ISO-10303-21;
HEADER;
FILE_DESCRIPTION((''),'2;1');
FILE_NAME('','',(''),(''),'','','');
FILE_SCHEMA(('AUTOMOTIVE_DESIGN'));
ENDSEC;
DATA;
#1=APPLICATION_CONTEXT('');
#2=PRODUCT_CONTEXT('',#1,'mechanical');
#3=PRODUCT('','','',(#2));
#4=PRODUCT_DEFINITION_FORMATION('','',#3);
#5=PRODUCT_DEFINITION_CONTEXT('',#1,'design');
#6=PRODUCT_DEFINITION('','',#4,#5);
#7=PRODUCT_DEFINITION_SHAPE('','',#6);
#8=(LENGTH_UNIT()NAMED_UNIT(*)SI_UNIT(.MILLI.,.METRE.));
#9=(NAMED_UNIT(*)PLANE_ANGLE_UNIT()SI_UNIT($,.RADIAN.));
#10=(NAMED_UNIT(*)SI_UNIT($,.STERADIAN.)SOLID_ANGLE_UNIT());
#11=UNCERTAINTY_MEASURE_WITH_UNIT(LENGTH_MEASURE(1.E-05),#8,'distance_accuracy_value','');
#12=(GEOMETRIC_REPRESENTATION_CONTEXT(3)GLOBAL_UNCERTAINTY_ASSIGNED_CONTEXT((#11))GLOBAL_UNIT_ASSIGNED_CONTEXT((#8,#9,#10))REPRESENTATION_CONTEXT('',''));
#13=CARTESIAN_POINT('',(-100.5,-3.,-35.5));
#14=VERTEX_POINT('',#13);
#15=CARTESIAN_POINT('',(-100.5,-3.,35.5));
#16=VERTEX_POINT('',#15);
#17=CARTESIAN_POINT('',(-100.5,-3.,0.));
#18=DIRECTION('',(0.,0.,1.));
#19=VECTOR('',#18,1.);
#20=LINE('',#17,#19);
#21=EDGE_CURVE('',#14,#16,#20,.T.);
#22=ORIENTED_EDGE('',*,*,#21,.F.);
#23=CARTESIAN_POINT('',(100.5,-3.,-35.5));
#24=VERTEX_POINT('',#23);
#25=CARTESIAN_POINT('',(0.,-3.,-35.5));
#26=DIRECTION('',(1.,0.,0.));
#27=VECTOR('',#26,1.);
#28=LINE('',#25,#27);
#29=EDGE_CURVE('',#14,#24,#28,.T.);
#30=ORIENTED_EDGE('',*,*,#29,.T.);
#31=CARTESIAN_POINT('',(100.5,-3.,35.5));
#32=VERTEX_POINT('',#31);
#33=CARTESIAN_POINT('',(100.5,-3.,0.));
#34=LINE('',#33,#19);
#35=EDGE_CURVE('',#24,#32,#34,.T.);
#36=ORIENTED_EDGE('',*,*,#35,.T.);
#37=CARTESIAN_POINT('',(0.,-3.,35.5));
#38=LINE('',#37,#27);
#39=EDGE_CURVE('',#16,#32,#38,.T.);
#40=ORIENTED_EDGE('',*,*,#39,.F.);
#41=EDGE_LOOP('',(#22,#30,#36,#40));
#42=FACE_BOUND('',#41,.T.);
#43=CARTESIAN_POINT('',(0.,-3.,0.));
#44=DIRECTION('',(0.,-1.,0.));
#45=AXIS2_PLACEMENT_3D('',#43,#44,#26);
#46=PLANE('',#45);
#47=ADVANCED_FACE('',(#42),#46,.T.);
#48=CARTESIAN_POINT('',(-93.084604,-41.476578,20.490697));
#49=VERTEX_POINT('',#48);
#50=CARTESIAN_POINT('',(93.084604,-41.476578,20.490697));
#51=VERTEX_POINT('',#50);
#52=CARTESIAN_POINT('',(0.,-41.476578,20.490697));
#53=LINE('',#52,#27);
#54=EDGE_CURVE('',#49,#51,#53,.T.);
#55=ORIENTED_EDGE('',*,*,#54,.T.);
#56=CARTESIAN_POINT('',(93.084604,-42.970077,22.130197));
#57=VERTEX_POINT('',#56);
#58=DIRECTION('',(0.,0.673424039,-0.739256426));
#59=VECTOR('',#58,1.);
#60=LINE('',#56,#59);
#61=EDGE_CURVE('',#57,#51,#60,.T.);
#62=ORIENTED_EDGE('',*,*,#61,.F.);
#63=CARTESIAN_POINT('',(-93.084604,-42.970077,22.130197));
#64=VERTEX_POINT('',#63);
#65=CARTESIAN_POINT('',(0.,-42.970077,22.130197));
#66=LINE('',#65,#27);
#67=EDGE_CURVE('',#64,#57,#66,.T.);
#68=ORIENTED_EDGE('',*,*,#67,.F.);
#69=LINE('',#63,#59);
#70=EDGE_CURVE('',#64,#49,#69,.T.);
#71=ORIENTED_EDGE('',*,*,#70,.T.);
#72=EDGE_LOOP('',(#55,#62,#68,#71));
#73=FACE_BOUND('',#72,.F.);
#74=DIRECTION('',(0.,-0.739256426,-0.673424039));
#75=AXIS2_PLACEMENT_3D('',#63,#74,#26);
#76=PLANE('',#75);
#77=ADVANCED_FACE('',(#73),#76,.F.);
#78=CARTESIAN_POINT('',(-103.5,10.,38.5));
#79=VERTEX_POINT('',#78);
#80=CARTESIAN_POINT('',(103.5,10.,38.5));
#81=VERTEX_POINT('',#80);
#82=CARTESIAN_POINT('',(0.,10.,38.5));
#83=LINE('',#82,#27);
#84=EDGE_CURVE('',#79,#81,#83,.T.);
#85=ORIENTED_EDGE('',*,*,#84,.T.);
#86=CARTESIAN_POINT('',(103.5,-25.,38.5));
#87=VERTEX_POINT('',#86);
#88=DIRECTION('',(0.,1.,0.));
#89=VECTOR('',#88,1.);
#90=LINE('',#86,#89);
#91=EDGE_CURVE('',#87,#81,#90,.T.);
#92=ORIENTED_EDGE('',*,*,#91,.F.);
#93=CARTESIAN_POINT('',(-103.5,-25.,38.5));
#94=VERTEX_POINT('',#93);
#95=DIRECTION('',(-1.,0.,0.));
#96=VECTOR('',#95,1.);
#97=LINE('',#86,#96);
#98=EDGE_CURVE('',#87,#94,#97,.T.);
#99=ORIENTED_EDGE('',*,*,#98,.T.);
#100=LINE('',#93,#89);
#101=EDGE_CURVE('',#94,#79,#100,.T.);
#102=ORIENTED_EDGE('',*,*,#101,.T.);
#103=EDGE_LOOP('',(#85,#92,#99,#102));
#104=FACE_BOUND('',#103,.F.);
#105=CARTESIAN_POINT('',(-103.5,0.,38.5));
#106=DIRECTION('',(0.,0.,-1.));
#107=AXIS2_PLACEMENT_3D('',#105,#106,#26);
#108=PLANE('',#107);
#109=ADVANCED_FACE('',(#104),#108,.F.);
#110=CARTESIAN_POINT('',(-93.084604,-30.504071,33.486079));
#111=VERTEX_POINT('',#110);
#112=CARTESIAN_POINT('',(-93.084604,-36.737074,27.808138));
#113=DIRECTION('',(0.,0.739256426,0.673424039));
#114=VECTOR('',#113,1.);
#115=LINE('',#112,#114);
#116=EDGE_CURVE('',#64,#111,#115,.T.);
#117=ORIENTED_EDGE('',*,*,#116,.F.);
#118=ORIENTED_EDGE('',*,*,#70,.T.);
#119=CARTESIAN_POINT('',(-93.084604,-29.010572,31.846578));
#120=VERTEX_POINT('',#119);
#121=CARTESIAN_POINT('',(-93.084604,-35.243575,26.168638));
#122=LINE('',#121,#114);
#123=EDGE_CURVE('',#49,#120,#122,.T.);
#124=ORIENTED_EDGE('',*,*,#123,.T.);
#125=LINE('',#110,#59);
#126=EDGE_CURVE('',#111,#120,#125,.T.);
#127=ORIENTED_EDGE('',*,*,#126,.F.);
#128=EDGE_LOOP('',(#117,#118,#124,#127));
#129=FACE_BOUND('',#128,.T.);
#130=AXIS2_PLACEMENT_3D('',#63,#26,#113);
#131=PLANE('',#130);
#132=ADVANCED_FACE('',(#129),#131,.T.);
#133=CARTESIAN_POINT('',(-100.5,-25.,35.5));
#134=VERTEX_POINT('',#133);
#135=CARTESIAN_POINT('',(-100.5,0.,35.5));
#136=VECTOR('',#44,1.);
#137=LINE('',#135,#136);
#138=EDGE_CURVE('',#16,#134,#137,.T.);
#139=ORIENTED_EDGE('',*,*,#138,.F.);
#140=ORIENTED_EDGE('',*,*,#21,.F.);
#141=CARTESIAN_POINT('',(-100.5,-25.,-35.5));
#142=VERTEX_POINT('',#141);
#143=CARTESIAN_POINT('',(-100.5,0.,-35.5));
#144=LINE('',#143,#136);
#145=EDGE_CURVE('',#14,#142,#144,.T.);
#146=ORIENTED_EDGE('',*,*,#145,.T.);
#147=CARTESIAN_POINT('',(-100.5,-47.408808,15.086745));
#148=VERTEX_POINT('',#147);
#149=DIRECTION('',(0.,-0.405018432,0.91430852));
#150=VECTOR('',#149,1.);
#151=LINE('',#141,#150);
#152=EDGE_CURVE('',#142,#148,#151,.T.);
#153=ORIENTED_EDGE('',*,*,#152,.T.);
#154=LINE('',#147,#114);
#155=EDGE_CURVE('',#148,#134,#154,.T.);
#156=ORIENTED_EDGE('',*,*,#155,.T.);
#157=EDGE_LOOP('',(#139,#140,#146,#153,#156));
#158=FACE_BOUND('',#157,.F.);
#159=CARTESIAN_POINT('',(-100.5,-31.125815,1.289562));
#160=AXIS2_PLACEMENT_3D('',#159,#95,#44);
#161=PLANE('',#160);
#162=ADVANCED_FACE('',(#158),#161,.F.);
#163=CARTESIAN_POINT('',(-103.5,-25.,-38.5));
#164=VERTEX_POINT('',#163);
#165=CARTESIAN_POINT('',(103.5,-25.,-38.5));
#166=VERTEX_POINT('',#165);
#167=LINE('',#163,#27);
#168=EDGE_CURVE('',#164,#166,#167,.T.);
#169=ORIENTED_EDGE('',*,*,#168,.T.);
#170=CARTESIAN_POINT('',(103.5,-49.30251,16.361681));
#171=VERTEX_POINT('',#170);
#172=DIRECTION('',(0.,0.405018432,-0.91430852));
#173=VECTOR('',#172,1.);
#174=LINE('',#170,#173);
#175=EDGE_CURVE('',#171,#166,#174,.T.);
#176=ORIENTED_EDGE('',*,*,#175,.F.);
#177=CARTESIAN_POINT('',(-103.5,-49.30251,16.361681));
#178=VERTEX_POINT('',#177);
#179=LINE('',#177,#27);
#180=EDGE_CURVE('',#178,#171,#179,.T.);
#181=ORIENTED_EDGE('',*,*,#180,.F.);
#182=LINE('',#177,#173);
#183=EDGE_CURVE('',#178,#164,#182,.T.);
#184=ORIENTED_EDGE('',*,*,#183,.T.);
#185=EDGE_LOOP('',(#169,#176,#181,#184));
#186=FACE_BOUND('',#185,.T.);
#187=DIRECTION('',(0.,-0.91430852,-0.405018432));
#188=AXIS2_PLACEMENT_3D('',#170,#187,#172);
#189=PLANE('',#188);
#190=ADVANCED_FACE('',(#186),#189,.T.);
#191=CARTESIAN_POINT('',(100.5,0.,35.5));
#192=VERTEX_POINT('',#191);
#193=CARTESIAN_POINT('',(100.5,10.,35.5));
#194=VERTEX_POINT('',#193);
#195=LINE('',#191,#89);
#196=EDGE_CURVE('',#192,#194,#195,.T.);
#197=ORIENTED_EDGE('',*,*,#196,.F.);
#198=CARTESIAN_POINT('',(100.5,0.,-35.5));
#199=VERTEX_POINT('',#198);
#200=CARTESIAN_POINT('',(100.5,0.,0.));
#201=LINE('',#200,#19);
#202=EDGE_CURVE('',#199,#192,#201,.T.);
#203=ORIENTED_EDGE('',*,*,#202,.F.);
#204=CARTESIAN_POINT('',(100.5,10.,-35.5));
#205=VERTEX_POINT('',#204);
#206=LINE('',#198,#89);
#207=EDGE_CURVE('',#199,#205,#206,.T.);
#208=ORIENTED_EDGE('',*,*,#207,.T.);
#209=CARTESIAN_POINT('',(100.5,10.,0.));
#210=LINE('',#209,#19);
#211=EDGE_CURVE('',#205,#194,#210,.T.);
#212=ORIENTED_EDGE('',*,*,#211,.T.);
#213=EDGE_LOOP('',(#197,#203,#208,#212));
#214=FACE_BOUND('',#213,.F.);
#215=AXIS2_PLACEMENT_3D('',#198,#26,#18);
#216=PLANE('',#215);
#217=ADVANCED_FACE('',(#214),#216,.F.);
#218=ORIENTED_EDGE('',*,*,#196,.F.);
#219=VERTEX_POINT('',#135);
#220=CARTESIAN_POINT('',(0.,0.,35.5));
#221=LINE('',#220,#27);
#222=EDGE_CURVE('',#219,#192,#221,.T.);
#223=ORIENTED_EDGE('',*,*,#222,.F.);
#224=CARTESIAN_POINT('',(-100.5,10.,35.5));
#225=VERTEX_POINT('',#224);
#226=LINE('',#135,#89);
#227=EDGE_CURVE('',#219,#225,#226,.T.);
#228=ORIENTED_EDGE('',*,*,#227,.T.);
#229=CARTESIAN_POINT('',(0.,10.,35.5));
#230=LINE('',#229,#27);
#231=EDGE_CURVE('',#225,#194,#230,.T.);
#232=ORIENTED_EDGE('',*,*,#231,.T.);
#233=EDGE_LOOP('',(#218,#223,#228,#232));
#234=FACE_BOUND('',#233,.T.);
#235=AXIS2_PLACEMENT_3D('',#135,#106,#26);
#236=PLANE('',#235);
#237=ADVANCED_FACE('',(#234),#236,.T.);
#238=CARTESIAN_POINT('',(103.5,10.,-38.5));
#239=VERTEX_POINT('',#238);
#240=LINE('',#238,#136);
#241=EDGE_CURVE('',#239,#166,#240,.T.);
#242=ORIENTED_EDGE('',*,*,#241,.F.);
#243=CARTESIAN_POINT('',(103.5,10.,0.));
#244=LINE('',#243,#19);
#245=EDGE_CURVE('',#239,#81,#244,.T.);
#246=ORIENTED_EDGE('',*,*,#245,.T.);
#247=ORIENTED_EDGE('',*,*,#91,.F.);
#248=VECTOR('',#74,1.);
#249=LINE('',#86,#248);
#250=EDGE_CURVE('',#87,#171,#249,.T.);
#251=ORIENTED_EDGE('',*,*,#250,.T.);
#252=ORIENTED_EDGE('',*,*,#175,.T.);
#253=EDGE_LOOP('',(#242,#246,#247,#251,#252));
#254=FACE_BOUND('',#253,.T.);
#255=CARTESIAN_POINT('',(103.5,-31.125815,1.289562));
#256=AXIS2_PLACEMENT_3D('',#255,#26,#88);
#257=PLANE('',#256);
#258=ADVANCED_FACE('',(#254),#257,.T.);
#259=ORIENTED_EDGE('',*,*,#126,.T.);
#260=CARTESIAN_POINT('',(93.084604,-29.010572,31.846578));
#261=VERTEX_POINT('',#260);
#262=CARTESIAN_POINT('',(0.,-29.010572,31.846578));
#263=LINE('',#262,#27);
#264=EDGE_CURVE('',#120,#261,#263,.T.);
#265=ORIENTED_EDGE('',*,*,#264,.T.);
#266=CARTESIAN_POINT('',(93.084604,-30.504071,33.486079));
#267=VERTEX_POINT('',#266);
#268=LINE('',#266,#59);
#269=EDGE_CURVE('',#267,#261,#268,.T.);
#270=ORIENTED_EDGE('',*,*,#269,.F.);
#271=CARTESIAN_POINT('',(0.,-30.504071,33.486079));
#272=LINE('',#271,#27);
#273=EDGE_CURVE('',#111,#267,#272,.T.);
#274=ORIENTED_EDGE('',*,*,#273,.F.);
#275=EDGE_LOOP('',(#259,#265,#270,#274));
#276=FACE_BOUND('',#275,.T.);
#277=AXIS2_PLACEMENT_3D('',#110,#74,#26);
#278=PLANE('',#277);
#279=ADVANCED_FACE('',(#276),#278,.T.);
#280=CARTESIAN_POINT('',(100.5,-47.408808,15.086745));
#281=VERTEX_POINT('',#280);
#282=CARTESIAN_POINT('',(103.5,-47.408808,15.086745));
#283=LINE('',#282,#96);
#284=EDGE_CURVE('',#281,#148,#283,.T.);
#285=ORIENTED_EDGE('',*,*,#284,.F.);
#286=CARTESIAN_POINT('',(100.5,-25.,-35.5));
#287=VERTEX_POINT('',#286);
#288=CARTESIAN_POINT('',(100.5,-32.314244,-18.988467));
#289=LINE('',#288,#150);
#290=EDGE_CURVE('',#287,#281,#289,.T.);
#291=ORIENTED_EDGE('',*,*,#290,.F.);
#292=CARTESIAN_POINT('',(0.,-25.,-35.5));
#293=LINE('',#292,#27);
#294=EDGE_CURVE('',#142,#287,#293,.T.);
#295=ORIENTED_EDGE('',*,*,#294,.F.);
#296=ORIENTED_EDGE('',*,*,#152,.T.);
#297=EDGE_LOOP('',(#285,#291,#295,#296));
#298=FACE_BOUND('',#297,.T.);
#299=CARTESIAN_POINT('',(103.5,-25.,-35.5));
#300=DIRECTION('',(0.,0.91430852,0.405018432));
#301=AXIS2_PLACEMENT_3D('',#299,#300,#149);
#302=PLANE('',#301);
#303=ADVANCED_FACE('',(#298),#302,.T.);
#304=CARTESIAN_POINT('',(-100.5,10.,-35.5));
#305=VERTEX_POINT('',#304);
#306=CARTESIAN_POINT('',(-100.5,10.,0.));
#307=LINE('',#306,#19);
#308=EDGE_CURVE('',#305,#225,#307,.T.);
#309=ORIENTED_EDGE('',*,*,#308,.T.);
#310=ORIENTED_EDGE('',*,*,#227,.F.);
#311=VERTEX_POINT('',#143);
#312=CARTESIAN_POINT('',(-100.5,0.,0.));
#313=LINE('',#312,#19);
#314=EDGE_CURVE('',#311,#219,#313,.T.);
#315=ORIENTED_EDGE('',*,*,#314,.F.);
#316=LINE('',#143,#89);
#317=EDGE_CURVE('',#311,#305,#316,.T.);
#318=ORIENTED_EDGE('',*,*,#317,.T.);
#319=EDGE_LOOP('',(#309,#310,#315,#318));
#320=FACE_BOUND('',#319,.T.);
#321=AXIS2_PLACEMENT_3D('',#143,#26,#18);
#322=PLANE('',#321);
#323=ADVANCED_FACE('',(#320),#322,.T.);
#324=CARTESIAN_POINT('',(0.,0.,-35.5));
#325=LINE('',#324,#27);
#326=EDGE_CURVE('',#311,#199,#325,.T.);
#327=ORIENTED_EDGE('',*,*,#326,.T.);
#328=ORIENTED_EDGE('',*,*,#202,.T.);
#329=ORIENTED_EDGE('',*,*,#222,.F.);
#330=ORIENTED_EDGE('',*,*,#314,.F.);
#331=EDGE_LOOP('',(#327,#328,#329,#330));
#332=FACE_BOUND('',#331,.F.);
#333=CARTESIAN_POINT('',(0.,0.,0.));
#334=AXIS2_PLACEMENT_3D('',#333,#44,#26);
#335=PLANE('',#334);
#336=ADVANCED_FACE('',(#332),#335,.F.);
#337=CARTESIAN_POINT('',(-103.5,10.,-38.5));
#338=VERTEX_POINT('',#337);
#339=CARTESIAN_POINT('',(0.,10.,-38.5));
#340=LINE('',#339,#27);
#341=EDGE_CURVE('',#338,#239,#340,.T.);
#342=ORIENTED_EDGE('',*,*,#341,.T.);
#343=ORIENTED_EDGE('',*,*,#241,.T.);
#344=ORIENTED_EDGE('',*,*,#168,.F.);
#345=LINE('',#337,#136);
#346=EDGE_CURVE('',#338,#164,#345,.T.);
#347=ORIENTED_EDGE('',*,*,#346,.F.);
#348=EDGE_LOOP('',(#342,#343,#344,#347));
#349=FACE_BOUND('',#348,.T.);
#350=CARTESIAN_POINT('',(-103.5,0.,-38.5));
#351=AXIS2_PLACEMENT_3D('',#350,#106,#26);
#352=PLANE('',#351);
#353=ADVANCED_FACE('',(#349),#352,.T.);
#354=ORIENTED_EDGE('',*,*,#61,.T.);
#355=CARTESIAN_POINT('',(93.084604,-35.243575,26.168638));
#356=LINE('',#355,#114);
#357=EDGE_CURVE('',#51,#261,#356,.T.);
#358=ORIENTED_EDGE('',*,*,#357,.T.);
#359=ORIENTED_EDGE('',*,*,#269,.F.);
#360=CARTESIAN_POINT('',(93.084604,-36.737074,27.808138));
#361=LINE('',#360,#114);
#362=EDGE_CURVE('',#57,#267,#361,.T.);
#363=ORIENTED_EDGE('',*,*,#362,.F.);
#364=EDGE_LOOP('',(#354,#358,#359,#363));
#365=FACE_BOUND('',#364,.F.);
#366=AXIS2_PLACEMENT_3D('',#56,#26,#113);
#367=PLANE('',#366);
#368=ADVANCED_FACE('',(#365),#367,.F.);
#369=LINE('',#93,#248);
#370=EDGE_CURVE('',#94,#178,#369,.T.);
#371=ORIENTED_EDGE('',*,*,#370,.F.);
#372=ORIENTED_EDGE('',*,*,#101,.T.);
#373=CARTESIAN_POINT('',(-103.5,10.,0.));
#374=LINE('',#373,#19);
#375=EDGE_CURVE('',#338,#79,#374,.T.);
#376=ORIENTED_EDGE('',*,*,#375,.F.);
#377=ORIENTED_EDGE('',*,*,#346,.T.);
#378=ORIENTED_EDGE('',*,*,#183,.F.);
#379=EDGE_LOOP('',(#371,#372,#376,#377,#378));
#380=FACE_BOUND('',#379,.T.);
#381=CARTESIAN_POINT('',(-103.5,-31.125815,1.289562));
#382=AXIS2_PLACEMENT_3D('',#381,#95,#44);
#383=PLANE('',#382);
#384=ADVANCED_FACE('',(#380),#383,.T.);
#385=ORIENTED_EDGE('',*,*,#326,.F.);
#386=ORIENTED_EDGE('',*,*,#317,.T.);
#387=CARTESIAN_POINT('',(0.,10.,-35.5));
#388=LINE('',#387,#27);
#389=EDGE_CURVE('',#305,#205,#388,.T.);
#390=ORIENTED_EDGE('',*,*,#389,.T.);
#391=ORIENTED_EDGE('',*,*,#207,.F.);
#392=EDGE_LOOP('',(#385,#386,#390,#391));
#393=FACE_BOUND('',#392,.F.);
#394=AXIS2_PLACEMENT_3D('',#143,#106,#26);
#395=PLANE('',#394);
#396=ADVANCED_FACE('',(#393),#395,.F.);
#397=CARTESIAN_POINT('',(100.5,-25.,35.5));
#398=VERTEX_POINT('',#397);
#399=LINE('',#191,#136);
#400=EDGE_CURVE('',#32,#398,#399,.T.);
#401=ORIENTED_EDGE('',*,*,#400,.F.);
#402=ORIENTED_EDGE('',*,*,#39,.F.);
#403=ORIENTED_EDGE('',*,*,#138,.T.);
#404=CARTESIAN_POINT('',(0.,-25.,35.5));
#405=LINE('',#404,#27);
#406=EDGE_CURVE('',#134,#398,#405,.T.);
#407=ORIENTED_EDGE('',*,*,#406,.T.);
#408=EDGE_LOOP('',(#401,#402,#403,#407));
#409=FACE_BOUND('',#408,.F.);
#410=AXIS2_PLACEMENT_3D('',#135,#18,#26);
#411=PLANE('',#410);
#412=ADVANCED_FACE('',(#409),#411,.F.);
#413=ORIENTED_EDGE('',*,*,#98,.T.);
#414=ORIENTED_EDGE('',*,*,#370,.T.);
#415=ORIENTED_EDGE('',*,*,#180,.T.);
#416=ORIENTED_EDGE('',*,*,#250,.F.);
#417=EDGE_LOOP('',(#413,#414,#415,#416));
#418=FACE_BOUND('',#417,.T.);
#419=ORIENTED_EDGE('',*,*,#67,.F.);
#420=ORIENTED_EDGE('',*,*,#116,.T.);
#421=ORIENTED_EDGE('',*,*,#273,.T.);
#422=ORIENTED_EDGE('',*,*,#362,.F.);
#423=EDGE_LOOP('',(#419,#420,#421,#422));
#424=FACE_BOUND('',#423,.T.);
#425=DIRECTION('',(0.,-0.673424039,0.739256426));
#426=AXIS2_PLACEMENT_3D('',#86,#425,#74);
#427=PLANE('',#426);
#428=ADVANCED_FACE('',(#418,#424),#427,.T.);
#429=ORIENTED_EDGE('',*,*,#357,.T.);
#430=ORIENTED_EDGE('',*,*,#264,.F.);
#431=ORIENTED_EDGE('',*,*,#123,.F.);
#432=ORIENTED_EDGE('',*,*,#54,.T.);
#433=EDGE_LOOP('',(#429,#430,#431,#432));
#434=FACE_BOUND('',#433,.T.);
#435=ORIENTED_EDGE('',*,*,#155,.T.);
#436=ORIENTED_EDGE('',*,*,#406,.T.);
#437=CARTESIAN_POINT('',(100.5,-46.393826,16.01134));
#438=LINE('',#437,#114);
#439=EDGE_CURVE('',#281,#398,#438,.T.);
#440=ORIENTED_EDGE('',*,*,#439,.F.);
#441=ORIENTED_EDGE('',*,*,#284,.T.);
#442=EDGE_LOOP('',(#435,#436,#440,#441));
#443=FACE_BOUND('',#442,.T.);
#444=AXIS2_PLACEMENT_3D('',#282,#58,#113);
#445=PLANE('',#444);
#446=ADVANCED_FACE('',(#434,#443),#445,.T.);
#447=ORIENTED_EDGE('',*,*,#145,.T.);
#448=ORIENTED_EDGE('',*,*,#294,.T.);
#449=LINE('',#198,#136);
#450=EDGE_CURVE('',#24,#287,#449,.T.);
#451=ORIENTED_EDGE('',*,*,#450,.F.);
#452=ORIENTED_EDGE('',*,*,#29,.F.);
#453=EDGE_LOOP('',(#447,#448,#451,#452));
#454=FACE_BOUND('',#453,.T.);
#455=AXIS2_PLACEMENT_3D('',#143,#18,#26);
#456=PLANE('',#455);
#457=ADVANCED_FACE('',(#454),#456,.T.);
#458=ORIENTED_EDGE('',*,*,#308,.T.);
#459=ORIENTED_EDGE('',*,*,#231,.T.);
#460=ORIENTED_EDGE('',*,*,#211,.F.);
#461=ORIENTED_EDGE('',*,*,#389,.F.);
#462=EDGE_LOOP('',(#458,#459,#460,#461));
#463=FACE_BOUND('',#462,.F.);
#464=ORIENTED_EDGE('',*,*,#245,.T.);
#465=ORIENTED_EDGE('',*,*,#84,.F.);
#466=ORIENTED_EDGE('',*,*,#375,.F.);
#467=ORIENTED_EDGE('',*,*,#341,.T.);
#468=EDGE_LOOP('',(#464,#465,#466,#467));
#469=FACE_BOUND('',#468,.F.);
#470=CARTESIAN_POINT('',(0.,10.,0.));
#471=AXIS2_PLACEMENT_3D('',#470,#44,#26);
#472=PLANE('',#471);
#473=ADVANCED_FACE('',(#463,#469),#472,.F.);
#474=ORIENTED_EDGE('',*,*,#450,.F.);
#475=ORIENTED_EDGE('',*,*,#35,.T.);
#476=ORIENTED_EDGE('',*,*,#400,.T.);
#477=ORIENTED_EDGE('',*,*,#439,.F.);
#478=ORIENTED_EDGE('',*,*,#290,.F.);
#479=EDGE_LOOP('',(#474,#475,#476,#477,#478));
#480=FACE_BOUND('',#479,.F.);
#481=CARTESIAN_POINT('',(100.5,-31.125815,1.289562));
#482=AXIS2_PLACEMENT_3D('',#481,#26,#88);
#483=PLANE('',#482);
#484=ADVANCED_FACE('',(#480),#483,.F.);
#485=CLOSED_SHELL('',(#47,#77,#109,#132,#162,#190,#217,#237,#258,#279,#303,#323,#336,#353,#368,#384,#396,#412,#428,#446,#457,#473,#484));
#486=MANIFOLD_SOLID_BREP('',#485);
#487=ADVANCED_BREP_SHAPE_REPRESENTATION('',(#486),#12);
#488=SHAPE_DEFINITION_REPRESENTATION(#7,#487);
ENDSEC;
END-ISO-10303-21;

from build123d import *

# Parameters (mm, degrees)
F0_W          = 201
F0_H          = 71
F1_DEPTH      = 3
F0_W_2        = 207
F0_H_2        = 77
F2_DEPTH      = 25
F2_DEPTH_BACK = 10
F4_DEPTH      = 3
F5_DEPTH      = 207
F7_DEPTH      = 3
F8_W          = 186.1692070961
F8_H          = 16.862899065
F9_DEPTH      = 2.2177692789


with BuildPart() as f1:
    # F0 (on Front) → F1 (new body)
    with BuildSketch(Plane.XZ):
        Rectangle(F0_W, F0_H)
    extrude(amount=F1_DEPTH)

    # F0 (on Front) → F2 (join, two sides)
    with BuildSketch(Plane.XZ) as f2_sk:
        Rectangle(F0_W_2, F0_H_2)
        Rectangle(F0_W, F0_H, mode=Mode.SUBTRACT)
    extrude(amount=F2_DEPTH)
    extrude(f2_sk.sketch, amount=-F2_DEPTH_BACK)

    # F3 (on face) → F4 (join, through all)
    with BuildSketch(Plane.YZ.offset(103.5)):
        Polygon((-47.4088080227, 15.086744912), (-25, -35.5), (-25, 35.5), align=None)
        Polygon((-49.3025101092, 16.3616811017), (-25, -38.5), (-25, -35.5), (-47.4088080227, 15.086744912), (-25, 35.5), (-25, 38.5), align=None)
    extrude(amount=-F4_DEPTH)

    # F3 (on face) → F5 (join, through all)
    with BuildSketch(Plane.YZ.offset(103.5)):
        Polygon((-49.3025101092, 16.3616811017), (-25, -38.5), (-25, -35.5), (-47.4088080227, 15.086744912), (-25, 35.5), (-25, 38.5), align=None)
    extrude(amount=-F5_DEPTH)

    # F6 (on face) → F7 (join, through all)
    with BuildSketch(Plane(origin=(-103.5, 0, 0), x_dir=(0, -1, 0), z_dir=(-1, 0, 0))):
        Polygon((25, 35.5), (25, -35.5), (47.4088080227, 15.086744912), align=None)
    extrude(amount=-F7_DEPTH)

    # F8 (on face) → F9 (cut, through all)
    with BuildSketch(Plane(origin=(0, -30.504070767, 33.4860786671), x_dir=(1, 0, 0), z_dir=(0, -0.6734240389, 0.7392564263))):
        with Locations((0, -8.4314495325)):
            Rectangle(F8_W, F8_H)
    extrude(amount=-F9_DEPTH, mode=Mode.SUBTRACT)


solid = f1.part
